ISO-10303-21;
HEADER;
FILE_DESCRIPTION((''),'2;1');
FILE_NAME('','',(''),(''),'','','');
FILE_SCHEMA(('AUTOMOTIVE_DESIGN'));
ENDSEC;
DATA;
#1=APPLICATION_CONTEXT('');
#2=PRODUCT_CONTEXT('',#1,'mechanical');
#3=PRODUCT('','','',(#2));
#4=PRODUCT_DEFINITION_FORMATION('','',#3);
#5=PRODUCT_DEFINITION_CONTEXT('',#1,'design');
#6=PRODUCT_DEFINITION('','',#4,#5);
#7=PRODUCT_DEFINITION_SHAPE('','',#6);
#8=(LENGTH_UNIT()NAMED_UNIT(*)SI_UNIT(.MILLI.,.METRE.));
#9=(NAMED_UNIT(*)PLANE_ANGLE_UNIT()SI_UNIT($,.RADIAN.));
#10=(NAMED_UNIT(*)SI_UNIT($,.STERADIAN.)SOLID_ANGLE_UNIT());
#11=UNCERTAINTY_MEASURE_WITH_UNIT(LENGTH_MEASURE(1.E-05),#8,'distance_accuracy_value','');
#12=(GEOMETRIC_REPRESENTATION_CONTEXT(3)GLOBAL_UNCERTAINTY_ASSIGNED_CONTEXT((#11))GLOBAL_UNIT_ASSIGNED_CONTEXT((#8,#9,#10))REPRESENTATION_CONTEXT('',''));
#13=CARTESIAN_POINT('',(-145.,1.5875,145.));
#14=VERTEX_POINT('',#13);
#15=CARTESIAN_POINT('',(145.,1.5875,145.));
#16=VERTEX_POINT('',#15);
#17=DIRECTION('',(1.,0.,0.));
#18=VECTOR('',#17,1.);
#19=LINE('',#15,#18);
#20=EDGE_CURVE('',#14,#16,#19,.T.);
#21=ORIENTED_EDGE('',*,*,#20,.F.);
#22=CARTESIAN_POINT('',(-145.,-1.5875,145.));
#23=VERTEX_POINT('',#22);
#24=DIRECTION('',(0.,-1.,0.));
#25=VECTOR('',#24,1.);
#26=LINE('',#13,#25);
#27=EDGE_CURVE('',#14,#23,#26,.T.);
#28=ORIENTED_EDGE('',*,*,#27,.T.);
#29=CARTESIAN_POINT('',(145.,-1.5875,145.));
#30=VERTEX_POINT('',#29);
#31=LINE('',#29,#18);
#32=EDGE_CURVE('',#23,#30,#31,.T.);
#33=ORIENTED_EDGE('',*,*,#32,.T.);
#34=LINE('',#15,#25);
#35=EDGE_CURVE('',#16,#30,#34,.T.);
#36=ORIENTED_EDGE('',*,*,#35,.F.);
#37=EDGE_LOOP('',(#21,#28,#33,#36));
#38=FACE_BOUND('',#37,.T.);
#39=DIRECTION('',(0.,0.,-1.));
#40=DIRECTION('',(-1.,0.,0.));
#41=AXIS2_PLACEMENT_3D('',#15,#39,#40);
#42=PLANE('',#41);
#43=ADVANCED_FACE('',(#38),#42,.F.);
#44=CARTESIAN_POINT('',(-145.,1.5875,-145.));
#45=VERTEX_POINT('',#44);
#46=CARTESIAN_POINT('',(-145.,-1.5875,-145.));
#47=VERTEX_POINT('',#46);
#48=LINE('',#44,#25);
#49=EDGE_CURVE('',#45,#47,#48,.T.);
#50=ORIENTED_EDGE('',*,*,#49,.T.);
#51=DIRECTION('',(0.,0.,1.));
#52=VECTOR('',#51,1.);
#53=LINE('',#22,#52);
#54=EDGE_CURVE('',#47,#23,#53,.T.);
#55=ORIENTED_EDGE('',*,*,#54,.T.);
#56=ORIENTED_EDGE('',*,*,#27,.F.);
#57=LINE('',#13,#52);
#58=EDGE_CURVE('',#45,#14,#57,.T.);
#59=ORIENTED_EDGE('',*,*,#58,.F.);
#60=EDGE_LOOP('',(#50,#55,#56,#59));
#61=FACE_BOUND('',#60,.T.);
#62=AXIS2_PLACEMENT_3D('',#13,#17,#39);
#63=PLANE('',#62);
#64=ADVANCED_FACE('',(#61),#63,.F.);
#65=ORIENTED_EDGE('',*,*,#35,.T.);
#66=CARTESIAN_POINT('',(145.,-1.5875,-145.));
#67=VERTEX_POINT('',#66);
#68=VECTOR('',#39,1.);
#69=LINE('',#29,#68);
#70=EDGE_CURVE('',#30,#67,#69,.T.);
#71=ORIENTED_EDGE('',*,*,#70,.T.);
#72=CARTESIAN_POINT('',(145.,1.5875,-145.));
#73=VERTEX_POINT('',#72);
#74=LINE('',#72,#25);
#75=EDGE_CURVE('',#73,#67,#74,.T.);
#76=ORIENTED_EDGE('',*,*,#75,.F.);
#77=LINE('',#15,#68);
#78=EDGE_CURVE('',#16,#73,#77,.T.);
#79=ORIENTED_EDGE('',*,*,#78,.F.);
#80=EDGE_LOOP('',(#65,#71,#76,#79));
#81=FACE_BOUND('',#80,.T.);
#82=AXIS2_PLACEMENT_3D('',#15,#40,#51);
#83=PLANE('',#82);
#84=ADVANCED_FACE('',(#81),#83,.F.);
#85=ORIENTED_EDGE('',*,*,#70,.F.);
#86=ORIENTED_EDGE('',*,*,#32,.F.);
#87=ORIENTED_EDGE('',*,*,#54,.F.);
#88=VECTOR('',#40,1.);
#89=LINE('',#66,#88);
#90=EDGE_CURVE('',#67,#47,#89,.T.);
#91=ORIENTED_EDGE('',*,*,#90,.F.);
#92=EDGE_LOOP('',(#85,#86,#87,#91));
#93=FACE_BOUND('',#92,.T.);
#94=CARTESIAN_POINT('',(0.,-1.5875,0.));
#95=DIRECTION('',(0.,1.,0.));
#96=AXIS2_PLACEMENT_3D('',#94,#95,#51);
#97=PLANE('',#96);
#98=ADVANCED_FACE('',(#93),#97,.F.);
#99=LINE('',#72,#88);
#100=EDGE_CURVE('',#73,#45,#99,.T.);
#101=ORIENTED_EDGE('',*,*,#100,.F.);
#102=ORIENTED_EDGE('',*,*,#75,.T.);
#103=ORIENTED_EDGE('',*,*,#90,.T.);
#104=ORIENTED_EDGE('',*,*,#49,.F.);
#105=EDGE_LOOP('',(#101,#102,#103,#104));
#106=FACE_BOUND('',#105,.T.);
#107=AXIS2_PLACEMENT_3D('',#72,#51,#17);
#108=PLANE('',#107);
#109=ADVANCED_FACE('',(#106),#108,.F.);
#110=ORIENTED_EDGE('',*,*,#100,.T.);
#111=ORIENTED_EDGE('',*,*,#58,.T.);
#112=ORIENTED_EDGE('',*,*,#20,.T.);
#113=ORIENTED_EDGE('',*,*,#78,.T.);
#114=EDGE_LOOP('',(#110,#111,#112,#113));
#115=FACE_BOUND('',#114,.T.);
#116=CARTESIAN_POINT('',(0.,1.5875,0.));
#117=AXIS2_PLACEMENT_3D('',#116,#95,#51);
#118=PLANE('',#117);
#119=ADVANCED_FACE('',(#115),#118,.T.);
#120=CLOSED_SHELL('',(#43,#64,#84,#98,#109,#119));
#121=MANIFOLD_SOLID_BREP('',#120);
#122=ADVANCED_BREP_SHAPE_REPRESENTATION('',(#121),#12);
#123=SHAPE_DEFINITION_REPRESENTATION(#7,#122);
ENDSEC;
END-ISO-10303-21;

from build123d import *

# Parameters (mm, degrees)
SKETCH1_W           = 290
SKETCH1_H           = 290
BOSS_EXTRUDE1_DEPTH = 1.5875


with BuildPart() as part:
    # Sketch1 → Boss-Extrude1 (new, symmetric)
    with BuildSketch(Plane(origin=(0, 0, 0), x_dir=(1, 0, 0), z_dir=(0, 1, 0))):
        Rectangle(SKETCH1_W, SKETCH1_H)
    extrude(amount=BOSS_EXTRUDE1_DEPTH, both=True)


solid = part.part
